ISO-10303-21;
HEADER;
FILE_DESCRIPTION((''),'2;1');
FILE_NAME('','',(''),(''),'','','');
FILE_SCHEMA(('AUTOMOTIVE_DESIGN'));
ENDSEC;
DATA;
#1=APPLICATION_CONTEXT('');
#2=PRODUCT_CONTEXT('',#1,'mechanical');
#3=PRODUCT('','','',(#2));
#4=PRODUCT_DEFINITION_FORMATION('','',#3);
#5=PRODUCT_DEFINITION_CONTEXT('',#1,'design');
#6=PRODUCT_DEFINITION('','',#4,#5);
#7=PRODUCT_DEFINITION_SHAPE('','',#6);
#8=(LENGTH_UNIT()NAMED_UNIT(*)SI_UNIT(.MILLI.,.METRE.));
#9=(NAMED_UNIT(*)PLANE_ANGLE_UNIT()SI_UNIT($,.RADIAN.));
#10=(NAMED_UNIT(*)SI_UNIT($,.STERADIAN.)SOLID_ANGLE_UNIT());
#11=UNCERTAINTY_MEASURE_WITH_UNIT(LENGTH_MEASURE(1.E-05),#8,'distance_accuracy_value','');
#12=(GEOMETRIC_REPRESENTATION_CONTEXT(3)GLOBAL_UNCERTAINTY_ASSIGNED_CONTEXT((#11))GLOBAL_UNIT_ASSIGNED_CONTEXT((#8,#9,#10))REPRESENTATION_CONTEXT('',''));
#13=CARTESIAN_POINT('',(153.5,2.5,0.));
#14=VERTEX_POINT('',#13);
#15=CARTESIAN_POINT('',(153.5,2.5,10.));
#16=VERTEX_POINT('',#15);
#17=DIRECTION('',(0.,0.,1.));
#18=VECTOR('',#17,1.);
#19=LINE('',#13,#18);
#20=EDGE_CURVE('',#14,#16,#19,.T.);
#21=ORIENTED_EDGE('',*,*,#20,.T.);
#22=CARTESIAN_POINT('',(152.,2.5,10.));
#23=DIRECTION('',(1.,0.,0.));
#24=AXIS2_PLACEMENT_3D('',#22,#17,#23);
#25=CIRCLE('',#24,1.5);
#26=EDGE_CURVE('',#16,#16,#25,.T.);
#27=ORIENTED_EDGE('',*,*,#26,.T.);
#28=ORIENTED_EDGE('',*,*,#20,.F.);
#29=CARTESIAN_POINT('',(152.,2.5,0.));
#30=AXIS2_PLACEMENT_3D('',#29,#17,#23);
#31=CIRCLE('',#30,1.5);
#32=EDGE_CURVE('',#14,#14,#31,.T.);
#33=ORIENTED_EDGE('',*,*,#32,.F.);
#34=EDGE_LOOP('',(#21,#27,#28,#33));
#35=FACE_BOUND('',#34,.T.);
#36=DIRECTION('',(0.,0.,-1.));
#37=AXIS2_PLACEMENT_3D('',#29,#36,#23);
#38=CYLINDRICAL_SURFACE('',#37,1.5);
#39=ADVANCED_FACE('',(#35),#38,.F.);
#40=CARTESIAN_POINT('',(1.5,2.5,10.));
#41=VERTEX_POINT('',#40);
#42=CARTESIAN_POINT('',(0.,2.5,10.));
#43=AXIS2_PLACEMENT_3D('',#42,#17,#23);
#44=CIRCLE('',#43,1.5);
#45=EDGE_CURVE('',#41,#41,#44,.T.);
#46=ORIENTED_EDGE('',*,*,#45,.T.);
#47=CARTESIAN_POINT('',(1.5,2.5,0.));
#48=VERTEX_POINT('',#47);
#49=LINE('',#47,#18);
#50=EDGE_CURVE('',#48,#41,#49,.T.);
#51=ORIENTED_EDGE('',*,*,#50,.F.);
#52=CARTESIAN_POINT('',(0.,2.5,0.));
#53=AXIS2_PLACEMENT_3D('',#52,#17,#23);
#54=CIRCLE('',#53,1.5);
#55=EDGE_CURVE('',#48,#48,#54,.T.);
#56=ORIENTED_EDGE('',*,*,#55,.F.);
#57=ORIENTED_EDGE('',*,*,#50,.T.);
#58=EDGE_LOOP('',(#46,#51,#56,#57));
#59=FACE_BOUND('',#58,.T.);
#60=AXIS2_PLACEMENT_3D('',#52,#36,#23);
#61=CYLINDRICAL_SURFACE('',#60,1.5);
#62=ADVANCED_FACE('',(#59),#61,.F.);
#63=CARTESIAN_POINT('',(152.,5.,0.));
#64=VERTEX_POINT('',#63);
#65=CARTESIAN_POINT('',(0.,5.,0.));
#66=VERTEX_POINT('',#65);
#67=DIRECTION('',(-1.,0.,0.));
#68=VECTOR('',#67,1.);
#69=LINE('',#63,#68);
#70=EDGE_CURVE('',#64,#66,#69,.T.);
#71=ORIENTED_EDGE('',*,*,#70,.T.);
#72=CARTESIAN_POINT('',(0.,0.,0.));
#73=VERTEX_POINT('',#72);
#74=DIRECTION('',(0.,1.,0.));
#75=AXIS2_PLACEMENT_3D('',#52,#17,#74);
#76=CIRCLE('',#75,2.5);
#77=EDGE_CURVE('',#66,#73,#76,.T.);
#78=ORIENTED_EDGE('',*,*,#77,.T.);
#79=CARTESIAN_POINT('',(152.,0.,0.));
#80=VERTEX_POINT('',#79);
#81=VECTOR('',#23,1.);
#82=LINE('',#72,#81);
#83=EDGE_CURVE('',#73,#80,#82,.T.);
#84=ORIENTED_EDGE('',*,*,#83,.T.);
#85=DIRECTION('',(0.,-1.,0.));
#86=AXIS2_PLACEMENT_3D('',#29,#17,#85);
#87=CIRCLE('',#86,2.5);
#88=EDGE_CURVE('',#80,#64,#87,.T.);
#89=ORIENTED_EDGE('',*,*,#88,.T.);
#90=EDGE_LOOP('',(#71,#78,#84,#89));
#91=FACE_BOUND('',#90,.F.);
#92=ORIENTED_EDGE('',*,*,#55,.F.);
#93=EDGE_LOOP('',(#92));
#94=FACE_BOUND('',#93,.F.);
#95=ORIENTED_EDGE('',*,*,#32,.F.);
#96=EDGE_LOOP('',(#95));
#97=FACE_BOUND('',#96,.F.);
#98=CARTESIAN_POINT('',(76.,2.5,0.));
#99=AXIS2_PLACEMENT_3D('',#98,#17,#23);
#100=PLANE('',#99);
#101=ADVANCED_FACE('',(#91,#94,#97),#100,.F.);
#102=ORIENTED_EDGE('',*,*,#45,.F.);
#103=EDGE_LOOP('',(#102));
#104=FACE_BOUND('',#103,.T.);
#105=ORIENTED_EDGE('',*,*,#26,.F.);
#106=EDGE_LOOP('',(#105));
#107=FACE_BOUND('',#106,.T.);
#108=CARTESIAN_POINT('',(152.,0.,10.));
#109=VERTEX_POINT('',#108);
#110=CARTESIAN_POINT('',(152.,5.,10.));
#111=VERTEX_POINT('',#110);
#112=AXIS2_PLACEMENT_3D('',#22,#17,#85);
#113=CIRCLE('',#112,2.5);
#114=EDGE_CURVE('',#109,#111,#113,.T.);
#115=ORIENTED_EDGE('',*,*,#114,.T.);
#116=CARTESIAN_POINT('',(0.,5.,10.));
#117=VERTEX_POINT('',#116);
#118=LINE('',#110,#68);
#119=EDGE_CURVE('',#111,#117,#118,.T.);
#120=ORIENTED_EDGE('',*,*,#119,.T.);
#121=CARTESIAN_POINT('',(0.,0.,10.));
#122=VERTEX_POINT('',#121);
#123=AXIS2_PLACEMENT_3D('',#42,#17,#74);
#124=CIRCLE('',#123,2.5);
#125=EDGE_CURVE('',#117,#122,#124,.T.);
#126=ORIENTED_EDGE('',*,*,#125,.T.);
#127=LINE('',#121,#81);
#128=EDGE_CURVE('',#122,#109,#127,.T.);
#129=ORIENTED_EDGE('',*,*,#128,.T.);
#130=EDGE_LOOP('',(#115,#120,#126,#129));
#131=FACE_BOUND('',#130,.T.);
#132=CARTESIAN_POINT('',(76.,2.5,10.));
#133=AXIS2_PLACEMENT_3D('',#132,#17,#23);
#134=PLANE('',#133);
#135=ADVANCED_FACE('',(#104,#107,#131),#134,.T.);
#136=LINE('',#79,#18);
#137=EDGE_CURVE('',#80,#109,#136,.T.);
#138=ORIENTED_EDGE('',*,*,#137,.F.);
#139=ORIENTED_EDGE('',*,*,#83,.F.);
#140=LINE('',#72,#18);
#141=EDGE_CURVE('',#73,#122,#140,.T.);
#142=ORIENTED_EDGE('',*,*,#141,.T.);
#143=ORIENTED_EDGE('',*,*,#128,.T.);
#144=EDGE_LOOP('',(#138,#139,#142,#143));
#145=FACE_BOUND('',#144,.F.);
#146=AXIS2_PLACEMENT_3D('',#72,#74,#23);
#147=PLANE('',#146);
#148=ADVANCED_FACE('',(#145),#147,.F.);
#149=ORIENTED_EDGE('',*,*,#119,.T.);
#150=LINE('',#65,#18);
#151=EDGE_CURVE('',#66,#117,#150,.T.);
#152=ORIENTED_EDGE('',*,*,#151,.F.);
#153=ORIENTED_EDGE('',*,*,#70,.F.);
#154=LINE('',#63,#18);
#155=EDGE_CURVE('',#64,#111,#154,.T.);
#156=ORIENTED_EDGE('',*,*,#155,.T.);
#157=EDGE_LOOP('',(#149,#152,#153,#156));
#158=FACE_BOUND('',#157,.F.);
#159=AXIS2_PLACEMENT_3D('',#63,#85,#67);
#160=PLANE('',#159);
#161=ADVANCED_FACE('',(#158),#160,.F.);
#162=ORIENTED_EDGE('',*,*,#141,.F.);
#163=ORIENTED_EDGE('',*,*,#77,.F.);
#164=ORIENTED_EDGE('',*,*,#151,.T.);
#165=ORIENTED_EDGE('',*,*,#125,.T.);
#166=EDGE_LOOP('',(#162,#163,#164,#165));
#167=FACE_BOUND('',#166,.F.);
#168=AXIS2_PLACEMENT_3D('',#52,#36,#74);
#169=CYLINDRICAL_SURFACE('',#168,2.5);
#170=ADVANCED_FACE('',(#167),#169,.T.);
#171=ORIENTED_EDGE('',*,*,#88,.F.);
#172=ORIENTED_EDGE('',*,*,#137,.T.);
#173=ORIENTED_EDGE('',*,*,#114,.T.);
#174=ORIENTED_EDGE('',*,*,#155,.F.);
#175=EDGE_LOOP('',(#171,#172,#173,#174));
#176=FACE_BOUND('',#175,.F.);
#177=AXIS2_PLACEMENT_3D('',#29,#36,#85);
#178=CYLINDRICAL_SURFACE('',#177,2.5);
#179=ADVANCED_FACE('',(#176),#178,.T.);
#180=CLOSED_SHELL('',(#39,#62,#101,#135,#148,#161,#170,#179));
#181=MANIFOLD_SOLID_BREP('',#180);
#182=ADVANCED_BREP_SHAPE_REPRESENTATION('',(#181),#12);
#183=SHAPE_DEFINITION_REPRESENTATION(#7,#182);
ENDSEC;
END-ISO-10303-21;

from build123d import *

# Parameters (mm, degrees)
ESQUISSE1_R        = 1.5
BOSS_EXTRU_1_DEPTH = 10


with BuildPart() as part:
    # Esquisse1 → Boss.-Extru.1 (new body)
    with BuildSketch(Plane.XY):
        with BuildLine():
            Line((0, 0), (152, 0))
            ThreePointArc((152, 0), (154.5, 2.5), (152, 5))
            Line((152, 5), (0, 5))
            ThreePointArc((0, 5), (-2.5, 2.5), (0, 0))
        make_face()
        with Locations((0, 2.5)):
            Circle(ESQUISSE1_R, mode=Mode.SUBTRACT)
        with Locations((152, 2.5)):
            Circle(ESQUISSE1_R, mode=Mode.SUBTRACT)
    extrude(amount=BOSS_EXTRU_1_DEPTH)


solid = part.part
